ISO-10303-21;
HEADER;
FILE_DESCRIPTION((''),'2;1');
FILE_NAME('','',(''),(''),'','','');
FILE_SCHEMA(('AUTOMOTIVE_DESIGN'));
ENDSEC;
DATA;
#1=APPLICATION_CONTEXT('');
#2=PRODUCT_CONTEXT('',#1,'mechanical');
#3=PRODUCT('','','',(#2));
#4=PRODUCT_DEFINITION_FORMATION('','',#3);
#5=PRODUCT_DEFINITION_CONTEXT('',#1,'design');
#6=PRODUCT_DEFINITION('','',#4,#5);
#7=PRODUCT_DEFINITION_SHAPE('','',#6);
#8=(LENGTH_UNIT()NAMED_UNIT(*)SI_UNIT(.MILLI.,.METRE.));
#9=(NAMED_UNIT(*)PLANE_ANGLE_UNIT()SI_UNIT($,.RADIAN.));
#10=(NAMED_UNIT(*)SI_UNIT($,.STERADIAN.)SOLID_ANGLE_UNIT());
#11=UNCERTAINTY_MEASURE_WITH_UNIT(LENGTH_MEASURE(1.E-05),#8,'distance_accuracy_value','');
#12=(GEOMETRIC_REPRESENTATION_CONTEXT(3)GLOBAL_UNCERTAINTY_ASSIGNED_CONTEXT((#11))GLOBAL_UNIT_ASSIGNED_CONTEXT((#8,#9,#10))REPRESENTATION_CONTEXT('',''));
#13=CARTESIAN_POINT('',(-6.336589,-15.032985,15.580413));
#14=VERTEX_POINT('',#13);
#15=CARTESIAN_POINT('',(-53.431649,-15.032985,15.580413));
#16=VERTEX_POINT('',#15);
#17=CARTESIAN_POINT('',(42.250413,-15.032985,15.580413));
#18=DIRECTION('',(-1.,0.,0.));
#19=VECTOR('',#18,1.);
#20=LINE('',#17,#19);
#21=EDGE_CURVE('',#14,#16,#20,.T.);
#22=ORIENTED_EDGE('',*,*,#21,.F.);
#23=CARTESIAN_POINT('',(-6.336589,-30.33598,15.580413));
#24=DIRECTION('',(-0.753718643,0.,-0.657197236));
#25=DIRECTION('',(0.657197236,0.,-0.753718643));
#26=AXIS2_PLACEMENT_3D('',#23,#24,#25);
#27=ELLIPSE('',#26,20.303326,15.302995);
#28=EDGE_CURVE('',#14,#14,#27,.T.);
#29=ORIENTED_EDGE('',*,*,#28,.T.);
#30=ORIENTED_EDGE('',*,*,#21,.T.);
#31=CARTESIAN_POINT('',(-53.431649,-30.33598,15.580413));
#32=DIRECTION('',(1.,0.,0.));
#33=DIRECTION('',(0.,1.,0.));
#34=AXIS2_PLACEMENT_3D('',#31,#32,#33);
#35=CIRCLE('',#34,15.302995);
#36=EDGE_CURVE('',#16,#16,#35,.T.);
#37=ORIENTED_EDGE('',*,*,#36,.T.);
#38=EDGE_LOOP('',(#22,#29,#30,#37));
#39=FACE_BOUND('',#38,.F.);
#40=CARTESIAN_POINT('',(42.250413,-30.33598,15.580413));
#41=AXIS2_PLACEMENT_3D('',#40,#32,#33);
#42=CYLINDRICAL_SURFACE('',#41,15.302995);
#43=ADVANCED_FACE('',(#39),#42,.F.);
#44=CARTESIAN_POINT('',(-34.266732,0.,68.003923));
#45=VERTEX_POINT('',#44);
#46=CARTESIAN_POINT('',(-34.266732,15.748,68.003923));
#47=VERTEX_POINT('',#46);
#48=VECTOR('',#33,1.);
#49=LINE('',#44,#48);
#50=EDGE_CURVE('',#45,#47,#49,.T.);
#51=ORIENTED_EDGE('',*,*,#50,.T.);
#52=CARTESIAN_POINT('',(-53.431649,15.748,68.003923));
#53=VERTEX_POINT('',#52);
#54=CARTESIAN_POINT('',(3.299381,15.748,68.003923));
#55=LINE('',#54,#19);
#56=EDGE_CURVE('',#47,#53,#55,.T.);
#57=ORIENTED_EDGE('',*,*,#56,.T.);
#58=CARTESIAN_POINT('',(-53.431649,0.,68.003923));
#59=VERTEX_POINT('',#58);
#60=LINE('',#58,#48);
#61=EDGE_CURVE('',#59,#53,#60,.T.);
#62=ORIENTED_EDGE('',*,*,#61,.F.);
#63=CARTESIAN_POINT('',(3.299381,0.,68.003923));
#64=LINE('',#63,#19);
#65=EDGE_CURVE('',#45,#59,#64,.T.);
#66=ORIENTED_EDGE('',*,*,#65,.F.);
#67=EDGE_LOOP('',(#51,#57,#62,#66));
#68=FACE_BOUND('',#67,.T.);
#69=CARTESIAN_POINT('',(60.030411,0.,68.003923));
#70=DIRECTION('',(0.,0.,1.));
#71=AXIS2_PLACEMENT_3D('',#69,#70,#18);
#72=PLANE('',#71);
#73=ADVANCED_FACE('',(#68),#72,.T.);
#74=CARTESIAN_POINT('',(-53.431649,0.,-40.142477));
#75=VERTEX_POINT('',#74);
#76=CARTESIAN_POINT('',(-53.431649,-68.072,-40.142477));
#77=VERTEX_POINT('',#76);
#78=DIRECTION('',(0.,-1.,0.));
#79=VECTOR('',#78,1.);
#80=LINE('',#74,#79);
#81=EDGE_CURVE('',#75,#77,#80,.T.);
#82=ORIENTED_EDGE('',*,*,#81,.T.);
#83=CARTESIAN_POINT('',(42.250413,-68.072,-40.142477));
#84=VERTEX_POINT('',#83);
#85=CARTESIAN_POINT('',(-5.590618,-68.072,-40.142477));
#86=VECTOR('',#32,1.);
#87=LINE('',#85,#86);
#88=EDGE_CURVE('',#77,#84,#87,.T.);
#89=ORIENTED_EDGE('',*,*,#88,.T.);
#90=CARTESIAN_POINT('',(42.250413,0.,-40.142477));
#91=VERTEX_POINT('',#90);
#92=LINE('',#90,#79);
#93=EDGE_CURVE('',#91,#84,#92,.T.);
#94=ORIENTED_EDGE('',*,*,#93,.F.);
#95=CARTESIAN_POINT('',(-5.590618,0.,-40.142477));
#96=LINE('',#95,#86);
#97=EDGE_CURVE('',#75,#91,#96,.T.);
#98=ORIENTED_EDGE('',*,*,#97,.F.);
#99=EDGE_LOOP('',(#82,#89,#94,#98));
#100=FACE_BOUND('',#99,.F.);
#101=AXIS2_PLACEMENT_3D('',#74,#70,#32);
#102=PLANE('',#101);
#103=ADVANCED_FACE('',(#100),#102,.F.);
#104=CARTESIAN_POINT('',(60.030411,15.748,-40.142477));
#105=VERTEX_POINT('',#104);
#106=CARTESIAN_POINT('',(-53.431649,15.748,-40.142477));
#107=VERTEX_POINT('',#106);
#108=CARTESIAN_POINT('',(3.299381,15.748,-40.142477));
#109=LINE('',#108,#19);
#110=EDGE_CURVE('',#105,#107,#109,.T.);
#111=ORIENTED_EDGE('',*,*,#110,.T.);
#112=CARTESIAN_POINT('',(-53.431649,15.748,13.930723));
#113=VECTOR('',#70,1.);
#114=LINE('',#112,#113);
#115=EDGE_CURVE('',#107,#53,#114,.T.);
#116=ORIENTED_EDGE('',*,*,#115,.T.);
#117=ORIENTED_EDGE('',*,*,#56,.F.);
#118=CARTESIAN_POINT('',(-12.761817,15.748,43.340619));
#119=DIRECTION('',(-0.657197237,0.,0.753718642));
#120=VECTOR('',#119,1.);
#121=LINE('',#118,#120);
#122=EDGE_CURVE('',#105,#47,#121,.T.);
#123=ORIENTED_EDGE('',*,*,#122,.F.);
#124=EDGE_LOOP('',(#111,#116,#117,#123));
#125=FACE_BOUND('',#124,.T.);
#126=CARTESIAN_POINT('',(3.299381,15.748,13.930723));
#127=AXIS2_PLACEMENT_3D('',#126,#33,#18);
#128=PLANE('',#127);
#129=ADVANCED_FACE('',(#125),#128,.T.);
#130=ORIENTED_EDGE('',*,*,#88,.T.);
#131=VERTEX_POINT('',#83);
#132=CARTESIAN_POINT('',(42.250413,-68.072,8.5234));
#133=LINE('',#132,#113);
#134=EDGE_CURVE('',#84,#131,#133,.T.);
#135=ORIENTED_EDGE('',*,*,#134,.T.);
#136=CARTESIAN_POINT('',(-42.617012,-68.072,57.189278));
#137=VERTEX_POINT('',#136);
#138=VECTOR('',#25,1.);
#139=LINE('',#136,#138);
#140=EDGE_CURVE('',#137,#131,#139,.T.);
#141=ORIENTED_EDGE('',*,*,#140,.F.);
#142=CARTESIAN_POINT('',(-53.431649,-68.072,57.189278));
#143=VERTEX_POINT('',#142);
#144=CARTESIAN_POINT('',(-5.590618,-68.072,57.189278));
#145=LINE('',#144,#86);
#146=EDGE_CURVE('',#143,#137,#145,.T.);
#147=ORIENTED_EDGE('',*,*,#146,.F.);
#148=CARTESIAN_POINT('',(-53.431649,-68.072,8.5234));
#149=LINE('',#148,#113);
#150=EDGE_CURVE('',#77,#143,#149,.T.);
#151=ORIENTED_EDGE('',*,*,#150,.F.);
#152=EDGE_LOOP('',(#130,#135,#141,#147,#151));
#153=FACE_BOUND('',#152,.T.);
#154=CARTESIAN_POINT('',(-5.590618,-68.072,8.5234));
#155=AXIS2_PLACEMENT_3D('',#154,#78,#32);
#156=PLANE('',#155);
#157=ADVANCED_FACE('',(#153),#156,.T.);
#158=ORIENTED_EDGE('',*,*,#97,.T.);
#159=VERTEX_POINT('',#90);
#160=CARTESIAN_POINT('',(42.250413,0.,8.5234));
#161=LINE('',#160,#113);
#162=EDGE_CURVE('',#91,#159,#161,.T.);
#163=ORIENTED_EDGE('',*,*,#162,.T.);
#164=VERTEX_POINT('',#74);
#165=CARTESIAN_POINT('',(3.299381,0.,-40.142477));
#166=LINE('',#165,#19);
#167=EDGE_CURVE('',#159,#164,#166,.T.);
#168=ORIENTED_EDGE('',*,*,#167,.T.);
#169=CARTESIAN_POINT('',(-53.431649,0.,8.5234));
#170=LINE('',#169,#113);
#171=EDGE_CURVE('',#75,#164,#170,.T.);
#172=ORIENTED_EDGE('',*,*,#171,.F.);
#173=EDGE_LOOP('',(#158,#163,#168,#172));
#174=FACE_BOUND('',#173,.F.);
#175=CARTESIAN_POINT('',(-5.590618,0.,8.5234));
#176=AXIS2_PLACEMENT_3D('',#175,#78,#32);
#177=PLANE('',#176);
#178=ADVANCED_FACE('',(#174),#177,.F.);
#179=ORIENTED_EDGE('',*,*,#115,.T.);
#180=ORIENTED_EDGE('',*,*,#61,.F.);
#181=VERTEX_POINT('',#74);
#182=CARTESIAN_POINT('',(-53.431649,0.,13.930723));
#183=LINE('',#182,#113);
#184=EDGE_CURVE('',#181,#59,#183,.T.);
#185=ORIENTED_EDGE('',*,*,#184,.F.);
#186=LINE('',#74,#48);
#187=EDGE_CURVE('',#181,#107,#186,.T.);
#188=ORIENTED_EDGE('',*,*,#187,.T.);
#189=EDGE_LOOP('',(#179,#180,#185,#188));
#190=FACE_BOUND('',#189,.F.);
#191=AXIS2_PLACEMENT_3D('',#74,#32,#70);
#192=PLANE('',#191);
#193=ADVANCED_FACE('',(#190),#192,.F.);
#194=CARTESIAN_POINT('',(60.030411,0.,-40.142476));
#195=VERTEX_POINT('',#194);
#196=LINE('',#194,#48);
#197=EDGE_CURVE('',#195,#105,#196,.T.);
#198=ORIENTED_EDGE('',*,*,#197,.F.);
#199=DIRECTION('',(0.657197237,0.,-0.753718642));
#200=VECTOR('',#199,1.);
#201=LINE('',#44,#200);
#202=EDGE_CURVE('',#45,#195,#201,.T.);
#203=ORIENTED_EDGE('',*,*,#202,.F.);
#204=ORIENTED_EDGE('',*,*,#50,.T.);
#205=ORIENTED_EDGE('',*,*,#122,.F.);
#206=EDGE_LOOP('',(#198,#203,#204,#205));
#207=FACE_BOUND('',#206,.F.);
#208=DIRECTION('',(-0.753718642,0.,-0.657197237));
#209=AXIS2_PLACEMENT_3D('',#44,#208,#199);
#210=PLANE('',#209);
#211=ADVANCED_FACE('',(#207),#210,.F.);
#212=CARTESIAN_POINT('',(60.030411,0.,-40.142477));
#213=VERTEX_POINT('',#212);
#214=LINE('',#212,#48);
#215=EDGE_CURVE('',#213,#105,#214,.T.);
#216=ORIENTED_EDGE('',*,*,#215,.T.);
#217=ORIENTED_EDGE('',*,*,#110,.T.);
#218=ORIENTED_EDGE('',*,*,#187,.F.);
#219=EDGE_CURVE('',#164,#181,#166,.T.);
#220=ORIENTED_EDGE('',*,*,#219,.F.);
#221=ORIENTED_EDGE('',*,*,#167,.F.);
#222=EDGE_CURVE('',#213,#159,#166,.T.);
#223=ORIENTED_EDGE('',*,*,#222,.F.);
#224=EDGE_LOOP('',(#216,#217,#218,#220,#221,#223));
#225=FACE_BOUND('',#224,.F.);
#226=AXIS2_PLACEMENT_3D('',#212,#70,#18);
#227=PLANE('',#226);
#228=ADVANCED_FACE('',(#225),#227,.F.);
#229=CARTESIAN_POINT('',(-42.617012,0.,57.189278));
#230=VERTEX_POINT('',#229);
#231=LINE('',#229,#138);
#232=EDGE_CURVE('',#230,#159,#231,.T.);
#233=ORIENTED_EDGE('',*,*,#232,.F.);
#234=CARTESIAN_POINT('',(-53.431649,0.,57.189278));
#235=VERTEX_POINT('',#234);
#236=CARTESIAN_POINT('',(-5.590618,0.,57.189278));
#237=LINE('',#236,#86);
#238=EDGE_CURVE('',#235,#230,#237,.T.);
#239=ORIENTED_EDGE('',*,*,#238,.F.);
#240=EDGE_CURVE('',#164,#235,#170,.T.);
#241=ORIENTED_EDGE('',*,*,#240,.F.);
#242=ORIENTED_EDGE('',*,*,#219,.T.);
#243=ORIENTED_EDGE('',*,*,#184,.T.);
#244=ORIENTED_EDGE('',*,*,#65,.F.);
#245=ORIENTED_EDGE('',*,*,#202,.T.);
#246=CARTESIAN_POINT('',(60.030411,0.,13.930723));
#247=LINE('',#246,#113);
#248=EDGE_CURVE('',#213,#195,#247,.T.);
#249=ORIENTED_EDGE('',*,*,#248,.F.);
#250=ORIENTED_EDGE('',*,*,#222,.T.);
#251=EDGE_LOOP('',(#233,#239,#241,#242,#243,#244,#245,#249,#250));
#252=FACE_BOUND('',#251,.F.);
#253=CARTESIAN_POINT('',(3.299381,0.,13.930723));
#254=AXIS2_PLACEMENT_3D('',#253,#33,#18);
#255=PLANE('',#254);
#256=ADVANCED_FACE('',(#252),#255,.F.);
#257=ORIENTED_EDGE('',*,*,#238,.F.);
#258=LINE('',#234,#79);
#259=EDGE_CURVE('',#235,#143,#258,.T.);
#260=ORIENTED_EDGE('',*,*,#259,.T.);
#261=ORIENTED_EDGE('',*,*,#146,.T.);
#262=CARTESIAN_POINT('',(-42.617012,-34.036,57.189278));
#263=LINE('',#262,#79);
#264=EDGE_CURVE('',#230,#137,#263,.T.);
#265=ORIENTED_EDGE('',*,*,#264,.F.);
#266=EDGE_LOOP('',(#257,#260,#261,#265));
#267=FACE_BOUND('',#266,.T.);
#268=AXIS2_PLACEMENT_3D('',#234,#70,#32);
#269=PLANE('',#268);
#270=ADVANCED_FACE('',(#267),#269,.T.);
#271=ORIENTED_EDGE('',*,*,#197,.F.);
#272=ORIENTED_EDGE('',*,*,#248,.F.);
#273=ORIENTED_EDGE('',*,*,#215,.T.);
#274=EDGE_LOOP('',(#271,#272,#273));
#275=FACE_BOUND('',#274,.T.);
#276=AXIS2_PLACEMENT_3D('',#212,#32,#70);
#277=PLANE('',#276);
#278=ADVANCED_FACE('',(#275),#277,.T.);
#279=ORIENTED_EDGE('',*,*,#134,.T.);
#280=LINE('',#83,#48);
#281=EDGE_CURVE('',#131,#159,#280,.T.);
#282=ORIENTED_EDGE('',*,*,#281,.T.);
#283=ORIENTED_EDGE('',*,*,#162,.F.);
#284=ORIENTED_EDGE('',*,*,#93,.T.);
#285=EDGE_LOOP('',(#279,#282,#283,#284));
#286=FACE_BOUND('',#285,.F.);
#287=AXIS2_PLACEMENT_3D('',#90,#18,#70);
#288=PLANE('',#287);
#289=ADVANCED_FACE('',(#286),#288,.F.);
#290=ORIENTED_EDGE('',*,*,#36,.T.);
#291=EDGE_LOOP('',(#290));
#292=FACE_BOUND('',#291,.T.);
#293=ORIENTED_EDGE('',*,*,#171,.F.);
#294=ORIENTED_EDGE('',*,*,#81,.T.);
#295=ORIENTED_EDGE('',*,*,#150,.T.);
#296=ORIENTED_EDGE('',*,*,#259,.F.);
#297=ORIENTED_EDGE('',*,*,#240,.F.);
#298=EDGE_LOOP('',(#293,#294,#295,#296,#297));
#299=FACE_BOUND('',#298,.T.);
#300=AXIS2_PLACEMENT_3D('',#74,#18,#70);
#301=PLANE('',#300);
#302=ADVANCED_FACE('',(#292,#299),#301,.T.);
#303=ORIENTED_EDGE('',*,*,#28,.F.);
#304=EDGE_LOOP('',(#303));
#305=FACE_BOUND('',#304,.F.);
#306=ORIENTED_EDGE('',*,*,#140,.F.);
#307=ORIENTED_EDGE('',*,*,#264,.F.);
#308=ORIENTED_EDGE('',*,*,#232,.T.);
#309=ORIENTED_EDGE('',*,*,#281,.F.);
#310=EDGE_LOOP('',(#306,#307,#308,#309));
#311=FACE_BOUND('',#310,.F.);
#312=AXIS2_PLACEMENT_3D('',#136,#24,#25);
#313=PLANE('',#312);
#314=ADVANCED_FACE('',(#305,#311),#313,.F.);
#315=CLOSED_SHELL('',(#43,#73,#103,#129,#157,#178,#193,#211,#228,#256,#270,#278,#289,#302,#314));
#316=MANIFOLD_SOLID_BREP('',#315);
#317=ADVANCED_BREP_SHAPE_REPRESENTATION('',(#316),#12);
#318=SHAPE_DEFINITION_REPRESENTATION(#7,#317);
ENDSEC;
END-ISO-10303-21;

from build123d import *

# Parameters (mm, degrees)
F0_W     = 95.682062
F0_H     = 97.331755
F1_DEPTH = 68.072
F2_W     = 113.462061
F2_H     = 108.1464
F3_DEPTH = 15.748
F4_R     = 15.302995
F5_DEPTH = 96.266
F7_DEPTH = 68.072
F9_DEPTH = 32.766


with BuildPart() as f1:
    # F0 (on Front) → F1 (new body)
    with BuildSketch(Plane.XZ):
        with Locations((-5.590618, 8.5234)):
            Rectangle(F0_W, F0_H)
    extrude(amount=F1_DEPTH)

    # F2 (on face) → F3 (join)
    with BuildSketch(Plane(origin=(0, 0, 0), x_dir=(-1, 0, 0), z_dir=(0, 1, 0))):
        with Locations((-3.299381, 13.930723)):
            Rectangle(F2_W, F2_H)
    extrude(amount=F3_DEPTH)

    # F4 (on face) → F5 (cut)
    with BuildSketch(Plane.YZ.offset(42.250413)):
        with Locations((-30.33598, 15.580413)):
            Circle(F4_R)
    extrude(amount=-F5_DEPTH, mode=Mode.SUBTRACT)

    # F6 (on face) → F7 (cut)
    with BuildSketch(Plane.XZ.offset(68.072)):
        Polygon((-42.617012, 57.189278), (42.250413, -40.142477), (42.250413, 57.189278), align=None)
    extrude(amount=-F7_DEPTH, mode=Mode.SUBTRACT)

    # F8 (on face) → F9 (cut)
    with BuildSketch(Plane.XZ):
        Polygon((-34.266732, 68.003923), (60.030412, -40.142477), (60.030412, 68.003923), align=None)
    extrude(amount=-F9_DEPTH, mode=Mode.SUBTRACT)


solid = f1.part
